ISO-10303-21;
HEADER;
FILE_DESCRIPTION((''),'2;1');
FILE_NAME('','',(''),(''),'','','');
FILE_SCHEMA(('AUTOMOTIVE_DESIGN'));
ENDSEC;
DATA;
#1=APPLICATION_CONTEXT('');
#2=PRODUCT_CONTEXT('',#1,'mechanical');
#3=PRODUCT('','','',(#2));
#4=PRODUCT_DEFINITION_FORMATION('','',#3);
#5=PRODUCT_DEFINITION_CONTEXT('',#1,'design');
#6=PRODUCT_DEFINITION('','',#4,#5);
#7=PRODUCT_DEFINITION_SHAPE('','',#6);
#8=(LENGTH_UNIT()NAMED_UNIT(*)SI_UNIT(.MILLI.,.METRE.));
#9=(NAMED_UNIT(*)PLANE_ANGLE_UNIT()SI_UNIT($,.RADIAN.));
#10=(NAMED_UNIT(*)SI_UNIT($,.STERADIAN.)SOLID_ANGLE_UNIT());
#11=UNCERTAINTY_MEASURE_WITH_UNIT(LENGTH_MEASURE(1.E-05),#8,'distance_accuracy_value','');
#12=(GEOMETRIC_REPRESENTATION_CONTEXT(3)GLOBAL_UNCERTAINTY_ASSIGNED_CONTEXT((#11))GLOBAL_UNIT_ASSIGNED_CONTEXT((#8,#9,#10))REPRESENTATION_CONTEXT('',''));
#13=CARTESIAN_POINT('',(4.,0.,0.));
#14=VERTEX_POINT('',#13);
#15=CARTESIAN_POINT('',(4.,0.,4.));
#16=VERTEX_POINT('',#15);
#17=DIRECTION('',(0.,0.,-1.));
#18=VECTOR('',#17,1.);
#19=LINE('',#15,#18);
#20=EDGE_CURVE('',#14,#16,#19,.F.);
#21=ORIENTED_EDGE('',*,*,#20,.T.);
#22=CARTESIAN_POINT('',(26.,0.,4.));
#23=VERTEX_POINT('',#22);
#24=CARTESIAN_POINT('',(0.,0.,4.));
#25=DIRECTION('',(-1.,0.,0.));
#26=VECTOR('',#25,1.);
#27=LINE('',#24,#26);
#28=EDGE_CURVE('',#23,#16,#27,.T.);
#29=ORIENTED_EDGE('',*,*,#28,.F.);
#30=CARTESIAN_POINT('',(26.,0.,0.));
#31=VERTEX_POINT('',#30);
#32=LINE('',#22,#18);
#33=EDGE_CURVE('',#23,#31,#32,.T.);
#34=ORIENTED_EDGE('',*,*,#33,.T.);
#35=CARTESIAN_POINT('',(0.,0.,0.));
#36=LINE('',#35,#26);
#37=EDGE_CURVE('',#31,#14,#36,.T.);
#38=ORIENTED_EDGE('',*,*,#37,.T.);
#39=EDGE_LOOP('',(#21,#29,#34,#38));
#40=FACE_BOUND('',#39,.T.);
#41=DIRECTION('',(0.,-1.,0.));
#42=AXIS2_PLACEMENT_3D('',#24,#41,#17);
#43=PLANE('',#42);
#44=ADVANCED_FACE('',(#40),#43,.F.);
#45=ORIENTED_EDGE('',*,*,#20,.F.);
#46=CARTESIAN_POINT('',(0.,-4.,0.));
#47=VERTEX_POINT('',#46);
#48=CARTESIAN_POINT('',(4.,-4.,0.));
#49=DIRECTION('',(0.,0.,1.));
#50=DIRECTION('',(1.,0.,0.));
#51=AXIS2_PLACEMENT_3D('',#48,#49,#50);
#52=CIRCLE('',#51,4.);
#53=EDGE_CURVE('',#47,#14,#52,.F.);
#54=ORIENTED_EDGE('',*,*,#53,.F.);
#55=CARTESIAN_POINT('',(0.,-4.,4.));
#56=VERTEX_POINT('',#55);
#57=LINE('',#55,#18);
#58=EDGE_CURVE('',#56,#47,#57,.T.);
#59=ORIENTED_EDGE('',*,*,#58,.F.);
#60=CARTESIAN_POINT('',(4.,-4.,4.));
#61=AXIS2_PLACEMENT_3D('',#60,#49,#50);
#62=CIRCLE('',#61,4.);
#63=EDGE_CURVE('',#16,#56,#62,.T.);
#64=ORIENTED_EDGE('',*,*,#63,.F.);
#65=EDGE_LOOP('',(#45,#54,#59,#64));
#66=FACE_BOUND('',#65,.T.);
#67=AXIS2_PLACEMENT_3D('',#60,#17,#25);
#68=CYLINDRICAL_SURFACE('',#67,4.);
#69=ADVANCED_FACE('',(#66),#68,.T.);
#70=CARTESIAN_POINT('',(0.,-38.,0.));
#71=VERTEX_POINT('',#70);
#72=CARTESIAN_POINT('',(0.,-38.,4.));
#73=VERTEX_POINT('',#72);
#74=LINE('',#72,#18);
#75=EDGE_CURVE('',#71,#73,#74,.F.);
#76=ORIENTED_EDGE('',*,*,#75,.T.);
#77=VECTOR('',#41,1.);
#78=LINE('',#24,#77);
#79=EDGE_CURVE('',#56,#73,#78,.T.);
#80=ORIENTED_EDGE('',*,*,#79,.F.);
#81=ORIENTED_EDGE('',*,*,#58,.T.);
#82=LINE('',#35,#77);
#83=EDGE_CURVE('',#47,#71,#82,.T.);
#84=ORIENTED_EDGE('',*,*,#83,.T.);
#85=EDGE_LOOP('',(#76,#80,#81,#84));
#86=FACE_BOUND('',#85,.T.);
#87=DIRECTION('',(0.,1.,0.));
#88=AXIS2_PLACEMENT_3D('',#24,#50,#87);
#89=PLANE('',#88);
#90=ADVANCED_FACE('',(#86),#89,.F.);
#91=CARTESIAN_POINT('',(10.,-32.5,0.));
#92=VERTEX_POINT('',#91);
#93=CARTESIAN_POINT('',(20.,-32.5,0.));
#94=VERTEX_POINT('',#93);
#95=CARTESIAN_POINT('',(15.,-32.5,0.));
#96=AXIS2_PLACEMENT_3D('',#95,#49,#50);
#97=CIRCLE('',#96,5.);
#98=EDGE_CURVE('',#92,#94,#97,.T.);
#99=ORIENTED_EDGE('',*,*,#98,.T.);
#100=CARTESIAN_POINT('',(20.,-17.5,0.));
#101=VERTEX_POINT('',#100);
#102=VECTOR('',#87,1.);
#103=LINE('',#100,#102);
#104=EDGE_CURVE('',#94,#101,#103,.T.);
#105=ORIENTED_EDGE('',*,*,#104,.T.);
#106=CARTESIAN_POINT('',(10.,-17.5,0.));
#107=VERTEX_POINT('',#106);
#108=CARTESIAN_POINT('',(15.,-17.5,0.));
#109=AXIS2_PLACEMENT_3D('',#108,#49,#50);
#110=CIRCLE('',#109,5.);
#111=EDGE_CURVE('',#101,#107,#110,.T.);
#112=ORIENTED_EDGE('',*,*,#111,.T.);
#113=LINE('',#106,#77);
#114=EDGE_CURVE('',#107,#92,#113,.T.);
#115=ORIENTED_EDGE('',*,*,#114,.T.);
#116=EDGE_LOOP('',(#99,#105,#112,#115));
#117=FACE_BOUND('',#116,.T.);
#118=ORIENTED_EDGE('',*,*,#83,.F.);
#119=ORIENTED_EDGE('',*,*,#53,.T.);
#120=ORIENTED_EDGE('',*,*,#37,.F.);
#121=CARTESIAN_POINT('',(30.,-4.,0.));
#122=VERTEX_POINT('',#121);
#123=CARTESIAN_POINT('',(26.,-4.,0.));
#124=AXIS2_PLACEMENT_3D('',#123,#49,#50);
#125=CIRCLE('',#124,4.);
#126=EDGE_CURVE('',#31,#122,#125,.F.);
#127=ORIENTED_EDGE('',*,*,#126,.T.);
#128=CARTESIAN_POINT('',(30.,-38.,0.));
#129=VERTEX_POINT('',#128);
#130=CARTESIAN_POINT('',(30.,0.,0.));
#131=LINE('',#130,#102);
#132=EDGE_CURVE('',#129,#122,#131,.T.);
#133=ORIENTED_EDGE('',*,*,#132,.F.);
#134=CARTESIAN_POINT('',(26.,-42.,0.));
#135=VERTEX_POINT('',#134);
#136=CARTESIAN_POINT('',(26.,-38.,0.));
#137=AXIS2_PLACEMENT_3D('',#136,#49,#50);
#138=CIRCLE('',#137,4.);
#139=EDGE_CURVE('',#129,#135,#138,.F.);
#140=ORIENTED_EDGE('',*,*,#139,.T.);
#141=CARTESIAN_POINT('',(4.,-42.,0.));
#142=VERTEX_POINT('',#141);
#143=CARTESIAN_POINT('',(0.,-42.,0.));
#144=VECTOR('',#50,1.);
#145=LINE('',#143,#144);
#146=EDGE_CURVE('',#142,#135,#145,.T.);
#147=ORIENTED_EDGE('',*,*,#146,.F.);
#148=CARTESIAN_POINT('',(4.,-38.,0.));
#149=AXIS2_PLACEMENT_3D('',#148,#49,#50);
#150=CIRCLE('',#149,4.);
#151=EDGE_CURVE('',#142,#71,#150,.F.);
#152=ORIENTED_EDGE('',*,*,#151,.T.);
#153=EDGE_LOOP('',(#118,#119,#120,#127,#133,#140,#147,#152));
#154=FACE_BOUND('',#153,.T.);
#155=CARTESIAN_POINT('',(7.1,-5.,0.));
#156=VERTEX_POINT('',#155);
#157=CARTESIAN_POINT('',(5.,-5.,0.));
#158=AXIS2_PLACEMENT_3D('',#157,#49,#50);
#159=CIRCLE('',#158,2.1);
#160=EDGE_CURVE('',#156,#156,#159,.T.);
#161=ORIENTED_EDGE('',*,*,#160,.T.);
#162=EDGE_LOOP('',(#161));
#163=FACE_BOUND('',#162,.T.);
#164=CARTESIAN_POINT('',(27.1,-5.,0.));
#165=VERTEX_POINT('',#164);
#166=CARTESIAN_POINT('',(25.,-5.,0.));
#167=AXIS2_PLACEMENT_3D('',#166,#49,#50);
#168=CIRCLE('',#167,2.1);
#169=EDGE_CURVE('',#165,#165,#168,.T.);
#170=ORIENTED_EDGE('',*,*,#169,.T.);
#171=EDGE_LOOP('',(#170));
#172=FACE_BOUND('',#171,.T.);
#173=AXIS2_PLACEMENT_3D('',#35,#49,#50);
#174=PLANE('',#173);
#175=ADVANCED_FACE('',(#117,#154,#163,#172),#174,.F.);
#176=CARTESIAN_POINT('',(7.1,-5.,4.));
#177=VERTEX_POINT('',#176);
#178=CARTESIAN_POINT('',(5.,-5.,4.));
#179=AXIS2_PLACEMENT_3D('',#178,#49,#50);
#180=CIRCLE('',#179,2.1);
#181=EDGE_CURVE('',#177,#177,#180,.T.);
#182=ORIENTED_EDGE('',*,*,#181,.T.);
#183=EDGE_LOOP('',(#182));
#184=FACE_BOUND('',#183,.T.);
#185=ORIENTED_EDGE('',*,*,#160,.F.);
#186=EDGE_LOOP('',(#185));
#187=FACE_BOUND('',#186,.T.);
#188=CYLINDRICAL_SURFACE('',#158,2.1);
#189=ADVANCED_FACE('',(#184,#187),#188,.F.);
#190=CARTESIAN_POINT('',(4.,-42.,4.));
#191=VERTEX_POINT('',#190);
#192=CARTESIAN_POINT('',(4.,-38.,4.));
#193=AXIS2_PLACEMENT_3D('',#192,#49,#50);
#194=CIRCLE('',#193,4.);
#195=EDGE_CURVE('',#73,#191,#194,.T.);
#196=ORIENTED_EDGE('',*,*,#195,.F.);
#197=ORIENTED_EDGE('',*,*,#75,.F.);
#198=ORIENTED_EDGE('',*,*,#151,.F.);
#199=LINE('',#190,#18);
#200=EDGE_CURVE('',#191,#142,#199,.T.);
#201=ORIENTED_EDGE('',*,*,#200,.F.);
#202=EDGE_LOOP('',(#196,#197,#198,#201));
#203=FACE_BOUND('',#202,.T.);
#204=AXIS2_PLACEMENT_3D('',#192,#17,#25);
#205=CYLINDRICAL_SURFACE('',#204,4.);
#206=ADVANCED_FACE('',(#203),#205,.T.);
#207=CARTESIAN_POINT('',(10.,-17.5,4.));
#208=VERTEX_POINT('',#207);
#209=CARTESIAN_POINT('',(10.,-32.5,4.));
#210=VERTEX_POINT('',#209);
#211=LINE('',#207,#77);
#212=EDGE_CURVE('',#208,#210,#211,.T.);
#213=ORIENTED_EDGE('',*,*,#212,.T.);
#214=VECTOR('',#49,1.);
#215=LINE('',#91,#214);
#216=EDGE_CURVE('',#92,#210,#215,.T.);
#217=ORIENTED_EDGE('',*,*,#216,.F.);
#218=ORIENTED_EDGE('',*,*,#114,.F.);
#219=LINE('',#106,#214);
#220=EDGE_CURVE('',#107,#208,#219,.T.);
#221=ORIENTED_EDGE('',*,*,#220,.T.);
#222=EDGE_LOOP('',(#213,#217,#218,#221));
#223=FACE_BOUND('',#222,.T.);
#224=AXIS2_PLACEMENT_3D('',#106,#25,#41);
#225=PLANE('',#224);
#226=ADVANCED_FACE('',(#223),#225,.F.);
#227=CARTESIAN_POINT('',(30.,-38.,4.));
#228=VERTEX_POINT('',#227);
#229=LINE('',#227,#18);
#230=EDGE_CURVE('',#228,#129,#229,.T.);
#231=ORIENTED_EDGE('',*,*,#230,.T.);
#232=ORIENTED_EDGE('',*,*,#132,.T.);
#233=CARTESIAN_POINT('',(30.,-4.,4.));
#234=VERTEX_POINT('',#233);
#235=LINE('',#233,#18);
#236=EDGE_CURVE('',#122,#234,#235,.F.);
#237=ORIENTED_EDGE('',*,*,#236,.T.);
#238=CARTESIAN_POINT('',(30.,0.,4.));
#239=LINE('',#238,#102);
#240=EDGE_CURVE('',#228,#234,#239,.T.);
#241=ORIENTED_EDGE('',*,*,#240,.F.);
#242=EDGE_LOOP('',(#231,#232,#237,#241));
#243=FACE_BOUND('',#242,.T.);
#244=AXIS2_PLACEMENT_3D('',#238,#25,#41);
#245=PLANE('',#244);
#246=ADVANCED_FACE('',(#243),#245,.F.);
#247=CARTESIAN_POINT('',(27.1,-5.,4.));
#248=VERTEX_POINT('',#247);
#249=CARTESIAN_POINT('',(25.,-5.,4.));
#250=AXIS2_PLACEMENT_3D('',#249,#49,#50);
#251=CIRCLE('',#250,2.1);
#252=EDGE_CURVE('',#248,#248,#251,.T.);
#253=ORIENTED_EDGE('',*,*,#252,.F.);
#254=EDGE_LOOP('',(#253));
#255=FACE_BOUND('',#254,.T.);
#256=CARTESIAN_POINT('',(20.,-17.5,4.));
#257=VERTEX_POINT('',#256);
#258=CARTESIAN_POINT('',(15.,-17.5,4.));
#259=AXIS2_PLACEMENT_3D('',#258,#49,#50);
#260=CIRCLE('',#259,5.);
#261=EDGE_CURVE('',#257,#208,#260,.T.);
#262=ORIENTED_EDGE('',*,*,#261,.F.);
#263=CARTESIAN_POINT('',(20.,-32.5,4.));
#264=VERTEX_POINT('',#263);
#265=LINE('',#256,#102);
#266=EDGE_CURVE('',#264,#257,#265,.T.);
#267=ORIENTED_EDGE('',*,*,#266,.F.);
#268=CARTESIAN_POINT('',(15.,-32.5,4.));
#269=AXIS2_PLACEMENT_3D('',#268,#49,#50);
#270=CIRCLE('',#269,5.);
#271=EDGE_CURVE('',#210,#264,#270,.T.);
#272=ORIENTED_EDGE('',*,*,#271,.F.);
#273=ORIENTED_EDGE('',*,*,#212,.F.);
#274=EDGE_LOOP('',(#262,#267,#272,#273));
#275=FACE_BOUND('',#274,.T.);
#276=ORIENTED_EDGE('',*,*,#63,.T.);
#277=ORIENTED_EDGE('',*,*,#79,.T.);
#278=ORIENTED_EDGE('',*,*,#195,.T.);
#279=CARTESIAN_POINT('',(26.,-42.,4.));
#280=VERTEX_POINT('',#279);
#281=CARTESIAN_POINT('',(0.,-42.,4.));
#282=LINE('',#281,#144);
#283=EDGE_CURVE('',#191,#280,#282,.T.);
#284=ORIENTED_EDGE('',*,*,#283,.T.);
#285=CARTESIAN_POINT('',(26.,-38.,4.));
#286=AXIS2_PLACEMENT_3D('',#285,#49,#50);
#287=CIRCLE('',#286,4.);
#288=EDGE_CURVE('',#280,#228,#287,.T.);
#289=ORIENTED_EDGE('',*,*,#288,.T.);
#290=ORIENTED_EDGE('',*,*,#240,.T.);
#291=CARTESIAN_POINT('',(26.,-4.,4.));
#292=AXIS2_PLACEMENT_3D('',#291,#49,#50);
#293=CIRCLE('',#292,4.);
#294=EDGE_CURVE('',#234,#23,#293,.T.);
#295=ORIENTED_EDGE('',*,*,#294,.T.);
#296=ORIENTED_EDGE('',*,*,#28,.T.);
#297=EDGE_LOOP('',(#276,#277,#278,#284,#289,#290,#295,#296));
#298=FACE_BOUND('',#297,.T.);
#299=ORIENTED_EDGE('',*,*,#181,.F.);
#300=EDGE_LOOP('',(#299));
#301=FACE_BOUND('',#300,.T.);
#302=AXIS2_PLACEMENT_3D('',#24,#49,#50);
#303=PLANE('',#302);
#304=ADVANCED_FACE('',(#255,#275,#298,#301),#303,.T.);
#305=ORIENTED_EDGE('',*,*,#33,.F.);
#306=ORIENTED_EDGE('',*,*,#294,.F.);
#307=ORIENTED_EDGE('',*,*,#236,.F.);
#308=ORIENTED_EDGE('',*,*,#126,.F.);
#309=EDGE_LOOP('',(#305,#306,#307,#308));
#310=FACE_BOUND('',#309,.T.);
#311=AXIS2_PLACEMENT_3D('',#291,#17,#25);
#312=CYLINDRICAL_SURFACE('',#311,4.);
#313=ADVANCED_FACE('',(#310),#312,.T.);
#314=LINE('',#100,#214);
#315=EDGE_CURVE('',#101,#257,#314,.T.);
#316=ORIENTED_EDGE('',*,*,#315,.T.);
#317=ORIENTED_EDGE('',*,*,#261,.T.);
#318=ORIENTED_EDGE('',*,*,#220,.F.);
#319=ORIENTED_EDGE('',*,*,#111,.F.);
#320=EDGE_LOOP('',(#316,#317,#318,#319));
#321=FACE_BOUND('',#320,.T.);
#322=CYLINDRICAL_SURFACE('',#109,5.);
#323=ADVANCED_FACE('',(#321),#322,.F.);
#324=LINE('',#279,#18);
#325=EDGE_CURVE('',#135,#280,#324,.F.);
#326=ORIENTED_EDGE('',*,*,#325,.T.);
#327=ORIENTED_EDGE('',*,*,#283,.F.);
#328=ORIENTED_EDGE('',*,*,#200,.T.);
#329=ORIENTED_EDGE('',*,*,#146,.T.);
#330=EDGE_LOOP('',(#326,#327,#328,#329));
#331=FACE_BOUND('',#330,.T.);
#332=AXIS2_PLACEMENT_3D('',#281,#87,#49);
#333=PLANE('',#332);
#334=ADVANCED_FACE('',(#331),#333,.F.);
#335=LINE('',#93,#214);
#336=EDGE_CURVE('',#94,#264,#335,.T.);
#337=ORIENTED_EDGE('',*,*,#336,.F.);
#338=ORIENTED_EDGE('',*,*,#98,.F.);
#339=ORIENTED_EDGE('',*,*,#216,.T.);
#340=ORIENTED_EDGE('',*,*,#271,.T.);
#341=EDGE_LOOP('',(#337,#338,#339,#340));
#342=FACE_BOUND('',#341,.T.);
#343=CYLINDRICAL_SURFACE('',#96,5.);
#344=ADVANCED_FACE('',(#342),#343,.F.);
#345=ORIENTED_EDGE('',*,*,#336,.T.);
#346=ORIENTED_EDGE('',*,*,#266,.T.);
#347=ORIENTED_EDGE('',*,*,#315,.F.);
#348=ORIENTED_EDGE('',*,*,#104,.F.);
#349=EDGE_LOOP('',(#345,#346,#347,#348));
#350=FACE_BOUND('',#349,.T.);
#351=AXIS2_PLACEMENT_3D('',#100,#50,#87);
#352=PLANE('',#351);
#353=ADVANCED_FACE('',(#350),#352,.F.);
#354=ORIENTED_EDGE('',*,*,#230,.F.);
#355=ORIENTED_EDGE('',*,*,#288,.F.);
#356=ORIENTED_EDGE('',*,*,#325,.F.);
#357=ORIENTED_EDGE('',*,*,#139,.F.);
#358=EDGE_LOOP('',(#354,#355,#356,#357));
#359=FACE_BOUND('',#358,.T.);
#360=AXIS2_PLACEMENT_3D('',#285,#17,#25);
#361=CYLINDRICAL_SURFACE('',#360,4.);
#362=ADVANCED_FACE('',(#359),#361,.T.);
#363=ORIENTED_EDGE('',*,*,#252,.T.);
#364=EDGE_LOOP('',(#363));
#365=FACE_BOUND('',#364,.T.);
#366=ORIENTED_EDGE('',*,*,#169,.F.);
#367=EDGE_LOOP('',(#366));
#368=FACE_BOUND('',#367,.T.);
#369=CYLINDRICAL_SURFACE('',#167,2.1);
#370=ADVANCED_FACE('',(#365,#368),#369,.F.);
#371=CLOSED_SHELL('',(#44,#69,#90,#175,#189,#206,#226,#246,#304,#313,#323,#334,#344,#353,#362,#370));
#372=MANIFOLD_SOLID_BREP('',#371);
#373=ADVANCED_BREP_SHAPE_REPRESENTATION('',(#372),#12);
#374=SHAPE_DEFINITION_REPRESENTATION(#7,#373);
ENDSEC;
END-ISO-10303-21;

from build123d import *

# Parameters (mm, degrees)
SKETCH_1_W          = 30
SKETCH_1_H          = 42
EXTRUDE_1_DEPTH     = 4
SKETCH_2_R          = 2.1
CUT_EXTRUDE_1_DEPTH = 52.768716422
FILLET_1_R          = 4


with BuildPart() as part:
    # 草图1 → 凸台-拉伸1 (new body)
    with BuildSketch(Plane.XY):
        with Locations((15, -21)):
            Rectangle(SKETCH_1_W, SKETCH_1_H)
    extrude(amount=EXTRUDE_1_DEPTH)

    # 草图2 → 切除-拉伸1 (cut, through all)
    with BuildSketch(Plane.XY.offset(4)):
        with Locations((5, -5)):
            Circle(SKETCH_2_R)
        with Locations((25, -5)):
            Circle(SKETCH_2_R)
        with BuildLine():
            Line((20, -17.5), (20, -32.5))
            ThreePointArc((20, -32.5), (15, -37.5), (10, -32.5))
            Line((10, -32.5), (10, -17.5))
            ThreePointArc((10, -17.5), (15, -12.5), (20, -17.5))
        make_face()
    extrude(amount=-CUT_EXTRUDE_1_DEPTH, mode=Mode.SUBTRACT)

    # 圆角1
    fillet_1_edges = [part.edges().sort_by_distance(p)[0] for p in [
        (0, 0, 2),
        (30, 0, 2),
        (30, -42, 2),
        (0, -42, 2),
    ]]
    fillet(fillet_1_edges, radius=FILLET_1_R)


solid = part.part
